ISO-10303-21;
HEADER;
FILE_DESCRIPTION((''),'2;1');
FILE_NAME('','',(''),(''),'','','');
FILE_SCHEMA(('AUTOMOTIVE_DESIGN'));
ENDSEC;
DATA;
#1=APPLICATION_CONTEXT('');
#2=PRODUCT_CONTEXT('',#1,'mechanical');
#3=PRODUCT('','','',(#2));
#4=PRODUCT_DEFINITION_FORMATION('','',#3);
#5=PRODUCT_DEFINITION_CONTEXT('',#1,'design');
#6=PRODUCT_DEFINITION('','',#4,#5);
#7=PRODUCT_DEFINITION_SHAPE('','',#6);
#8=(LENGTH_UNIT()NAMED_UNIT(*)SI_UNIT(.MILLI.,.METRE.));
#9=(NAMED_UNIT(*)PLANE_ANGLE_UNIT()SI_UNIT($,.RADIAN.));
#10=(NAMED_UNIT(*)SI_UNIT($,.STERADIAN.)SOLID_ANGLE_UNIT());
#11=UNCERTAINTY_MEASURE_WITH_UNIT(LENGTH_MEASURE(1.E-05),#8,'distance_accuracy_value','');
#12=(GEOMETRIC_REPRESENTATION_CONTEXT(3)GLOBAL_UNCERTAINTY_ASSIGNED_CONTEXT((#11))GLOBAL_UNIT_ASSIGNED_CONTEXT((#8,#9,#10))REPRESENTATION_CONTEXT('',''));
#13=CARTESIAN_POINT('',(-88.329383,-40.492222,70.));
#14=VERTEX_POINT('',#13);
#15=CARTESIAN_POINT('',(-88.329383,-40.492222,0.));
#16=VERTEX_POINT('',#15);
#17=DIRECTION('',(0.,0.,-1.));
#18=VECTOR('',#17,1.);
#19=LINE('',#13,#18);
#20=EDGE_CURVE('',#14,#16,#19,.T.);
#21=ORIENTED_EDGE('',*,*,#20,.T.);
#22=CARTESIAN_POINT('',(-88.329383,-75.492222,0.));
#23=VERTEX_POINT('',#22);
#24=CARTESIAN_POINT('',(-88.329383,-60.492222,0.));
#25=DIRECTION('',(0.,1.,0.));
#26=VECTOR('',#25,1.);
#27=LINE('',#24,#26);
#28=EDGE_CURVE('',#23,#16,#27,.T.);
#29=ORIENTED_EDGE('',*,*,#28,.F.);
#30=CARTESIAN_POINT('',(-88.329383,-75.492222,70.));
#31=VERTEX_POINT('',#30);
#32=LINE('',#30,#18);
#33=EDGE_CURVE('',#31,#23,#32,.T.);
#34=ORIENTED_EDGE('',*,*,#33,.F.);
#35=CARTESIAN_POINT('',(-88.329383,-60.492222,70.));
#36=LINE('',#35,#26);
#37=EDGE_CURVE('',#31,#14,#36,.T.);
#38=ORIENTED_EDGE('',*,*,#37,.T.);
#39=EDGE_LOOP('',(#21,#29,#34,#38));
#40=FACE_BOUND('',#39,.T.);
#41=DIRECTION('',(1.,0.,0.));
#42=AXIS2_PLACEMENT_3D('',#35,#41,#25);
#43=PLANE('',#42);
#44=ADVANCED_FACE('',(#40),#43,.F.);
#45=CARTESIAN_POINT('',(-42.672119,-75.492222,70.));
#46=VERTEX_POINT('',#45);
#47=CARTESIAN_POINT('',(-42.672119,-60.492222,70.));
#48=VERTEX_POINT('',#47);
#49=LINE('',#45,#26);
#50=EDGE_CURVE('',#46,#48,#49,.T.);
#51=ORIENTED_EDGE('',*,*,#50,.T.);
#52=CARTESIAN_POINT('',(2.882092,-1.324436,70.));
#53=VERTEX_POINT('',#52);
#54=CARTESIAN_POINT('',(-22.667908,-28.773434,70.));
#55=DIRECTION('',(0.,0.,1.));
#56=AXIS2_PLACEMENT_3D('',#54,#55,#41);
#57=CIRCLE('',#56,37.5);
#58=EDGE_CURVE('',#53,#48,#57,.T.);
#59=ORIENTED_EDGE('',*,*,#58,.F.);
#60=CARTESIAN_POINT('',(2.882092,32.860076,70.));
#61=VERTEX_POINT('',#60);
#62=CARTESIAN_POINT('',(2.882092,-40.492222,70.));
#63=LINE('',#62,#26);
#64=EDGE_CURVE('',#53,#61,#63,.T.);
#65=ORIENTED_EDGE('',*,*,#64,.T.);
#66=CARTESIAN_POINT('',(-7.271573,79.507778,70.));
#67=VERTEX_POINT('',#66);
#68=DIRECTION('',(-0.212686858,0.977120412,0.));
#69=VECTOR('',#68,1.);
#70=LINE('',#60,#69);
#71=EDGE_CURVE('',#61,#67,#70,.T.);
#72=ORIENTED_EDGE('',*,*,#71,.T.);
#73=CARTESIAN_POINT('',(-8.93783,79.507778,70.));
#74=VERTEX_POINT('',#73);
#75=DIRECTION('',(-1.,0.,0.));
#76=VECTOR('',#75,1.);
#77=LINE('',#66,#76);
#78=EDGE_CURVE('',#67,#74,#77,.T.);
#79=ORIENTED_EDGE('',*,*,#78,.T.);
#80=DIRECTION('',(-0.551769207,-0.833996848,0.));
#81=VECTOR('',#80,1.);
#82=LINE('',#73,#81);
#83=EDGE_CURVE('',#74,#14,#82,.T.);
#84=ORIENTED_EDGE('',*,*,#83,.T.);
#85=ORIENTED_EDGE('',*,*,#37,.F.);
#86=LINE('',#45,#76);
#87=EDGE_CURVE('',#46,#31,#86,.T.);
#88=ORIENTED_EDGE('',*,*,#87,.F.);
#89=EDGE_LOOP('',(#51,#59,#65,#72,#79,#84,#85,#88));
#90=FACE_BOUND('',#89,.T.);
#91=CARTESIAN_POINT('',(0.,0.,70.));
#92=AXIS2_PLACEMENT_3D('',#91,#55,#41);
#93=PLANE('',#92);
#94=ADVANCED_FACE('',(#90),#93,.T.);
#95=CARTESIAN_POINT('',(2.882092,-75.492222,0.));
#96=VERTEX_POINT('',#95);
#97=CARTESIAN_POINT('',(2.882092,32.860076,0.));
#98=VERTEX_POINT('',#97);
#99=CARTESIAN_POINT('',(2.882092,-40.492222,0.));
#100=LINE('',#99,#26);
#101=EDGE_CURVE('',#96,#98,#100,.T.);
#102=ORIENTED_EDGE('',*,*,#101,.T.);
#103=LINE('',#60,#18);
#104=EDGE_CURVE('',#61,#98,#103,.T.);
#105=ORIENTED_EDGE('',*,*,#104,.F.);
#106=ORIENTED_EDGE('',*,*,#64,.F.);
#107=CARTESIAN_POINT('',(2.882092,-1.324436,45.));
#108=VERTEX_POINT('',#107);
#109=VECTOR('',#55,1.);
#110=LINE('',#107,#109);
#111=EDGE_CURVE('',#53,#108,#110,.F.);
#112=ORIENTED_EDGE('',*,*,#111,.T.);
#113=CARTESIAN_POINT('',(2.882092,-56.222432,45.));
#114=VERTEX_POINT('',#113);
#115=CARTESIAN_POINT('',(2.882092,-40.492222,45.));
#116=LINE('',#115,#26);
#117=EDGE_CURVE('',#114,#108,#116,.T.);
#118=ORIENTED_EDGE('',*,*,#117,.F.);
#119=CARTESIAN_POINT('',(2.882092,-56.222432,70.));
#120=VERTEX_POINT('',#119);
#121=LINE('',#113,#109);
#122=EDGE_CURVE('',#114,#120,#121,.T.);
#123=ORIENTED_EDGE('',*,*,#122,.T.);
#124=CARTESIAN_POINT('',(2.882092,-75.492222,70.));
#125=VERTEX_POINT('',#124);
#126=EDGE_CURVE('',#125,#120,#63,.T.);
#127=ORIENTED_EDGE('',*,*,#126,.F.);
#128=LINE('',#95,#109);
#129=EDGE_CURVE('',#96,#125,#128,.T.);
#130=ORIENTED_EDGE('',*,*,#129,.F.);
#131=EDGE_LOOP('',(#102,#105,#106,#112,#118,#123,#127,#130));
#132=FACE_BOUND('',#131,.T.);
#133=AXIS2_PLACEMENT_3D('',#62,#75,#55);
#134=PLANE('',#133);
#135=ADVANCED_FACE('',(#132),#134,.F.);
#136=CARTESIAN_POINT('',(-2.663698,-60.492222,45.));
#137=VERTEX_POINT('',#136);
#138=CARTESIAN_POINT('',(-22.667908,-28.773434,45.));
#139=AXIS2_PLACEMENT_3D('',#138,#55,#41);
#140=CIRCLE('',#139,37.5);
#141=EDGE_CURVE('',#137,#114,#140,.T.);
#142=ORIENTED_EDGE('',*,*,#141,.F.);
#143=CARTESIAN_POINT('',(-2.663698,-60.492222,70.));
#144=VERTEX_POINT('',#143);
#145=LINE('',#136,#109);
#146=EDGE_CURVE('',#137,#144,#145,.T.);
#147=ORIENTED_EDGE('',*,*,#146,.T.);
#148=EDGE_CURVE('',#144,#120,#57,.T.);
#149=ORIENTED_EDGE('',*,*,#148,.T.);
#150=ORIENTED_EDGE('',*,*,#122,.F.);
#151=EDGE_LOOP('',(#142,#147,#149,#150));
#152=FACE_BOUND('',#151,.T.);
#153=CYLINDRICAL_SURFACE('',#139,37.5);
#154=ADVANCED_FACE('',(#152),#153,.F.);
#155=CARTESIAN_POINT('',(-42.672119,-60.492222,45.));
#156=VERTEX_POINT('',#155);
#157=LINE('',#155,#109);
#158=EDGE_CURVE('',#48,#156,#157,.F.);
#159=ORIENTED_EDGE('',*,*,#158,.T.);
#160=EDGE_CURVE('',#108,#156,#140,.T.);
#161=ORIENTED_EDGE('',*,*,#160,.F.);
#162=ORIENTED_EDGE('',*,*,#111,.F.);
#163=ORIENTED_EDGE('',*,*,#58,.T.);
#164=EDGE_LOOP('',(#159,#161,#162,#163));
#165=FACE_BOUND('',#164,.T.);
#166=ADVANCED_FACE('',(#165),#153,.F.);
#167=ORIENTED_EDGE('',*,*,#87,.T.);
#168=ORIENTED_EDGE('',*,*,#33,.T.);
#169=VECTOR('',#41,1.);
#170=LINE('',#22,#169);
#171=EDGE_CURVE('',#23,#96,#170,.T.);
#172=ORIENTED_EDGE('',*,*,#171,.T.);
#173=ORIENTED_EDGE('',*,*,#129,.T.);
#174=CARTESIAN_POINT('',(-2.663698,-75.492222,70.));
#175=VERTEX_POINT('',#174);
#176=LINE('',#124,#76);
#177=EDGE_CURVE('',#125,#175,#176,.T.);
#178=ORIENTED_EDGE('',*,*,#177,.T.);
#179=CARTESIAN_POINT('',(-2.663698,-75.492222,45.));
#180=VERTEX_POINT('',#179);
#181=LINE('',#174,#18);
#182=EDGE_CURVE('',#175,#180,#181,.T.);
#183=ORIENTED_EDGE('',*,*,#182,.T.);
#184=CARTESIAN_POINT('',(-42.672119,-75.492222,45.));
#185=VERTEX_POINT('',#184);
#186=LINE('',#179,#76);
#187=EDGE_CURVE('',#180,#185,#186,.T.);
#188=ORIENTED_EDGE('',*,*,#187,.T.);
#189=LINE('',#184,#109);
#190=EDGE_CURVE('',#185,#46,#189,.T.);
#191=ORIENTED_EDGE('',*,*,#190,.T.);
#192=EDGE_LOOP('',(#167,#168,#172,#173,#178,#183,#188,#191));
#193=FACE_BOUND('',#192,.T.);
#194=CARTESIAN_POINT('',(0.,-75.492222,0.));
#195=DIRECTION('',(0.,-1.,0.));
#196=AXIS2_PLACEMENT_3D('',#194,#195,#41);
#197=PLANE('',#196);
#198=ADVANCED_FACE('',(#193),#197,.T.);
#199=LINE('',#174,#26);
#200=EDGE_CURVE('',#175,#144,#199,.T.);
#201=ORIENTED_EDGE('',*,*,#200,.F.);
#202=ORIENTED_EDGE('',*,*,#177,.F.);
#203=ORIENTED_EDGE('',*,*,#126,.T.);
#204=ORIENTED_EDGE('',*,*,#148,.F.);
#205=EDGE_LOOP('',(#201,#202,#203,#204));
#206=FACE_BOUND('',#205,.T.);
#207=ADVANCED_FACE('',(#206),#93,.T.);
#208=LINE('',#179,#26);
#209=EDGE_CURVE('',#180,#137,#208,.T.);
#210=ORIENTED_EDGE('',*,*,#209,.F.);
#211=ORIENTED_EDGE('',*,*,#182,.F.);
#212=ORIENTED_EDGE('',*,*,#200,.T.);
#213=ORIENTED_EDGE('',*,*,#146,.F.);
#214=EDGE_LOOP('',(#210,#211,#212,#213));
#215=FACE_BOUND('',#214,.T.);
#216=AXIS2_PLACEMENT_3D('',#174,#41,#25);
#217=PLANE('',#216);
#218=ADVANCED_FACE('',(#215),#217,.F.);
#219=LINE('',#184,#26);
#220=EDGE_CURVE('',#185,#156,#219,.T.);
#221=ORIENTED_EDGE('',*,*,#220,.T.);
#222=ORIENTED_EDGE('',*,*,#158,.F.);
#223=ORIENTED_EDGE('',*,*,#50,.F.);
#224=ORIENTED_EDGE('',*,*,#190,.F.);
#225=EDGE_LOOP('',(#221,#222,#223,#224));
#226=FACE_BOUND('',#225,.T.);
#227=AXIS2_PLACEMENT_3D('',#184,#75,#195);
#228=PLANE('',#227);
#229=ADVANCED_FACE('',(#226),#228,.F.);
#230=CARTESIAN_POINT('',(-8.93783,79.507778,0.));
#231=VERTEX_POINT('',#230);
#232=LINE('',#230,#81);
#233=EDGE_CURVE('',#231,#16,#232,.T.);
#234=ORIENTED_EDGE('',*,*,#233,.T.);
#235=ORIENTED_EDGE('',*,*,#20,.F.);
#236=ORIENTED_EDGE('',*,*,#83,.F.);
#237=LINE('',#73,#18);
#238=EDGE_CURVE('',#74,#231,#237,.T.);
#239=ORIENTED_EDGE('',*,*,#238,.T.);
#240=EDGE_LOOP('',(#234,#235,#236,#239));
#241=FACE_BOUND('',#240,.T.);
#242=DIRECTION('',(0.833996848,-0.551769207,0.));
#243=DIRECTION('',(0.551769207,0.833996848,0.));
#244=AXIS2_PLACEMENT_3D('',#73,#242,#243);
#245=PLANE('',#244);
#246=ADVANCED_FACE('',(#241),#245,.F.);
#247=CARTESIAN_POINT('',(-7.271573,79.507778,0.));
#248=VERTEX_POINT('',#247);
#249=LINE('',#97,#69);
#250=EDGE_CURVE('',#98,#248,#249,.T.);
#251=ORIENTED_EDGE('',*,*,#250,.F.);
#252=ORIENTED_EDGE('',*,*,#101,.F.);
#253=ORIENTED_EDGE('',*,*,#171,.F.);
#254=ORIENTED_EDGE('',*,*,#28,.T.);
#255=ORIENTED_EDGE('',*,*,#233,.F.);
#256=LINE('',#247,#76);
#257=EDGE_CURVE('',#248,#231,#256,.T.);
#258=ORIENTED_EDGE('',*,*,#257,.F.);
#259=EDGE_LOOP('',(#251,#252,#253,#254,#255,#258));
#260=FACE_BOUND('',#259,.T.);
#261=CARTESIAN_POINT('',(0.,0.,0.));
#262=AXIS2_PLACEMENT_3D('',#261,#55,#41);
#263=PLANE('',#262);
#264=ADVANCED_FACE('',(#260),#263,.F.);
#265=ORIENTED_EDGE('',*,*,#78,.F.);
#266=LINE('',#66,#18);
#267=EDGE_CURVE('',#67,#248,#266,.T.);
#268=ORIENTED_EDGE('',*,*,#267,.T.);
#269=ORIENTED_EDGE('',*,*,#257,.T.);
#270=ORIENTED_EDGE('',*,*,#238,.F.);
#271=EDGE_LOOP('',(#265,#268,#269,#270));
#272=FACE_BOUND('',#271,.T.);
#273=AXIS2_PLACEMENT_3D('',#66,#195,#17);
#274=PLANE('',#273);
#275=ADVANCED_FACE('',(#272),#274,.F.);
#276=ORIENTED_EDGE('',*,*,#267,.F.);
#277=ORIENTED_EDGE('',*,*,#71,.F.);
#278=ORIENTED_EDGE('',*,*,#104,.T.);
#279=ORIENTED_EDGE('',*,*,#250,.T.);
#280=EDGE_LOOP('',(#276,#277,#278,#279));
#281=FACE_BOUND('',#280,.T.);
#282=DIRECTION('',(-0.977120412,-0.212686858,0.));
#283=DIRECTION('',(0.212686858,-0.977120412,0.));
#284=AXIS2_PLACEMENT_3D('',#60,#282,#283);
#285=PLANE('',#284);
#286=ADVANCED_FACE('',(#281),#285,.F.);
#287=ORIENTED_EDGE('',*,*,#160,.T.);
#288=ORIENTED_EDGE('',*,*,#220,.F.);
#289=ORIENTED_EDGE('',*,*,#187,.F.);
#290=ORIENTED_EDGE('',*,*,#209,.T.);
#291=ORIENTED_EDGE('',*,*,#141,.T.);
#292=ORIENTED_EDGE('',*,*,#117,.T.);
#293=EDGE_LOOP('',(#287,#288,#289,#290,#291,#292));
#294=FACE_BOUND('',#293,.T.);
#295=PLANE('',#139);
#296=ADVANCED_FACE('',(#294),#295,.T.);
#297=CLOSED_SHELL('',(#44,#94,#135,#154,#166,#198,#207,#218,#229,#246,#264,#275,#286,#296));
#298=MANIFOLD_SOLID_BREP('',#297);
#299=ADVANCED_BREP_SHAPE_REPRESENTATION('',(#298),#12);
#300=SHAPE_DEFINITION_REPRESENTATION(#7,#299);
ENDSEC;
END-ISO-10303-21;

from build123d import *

# Parameters (mm, degrees)
EXTRUDE_1_DEPTH     = 70
SKETCH_3_W          = 91.211474189
SKETCH_3_H          = 70
EXTRUDE_3_DEPTH     = 20
SKETCH_7_R          = 37.5
CUT_EXTRUDE_1_DEPTH = 25
EXTRUDE_5_DEPTH     = 15


with BuildPart() as part:
    # 草图1 → 凸台-拉伸1 (new body)
    with BuildSketch(Plane.XY):
        Polygon((-88.329382669, -40.492222209), (2.88209152, -40.492222209), (2.88209152, 32.860075705), (-7.271573344, 79.507777791), (-8.937829763, 79.507777791), align=None)
    extrude(amount=EXTRUDE_1_DEPTH)

    # 草图3 → 凸台-拉伸3 (add)
    with BuildSketch(Plane.XZ.offset(40.492222209)):
        with Locations((-42.723645575, 35)):
            Rectangle(SKETCH_3_W, SKETCH_3_H)
    extrude(amount=EXTRUDE_3_DEPTH)

    # 草图7 → 切除-拉伸1 (cut)
    with BuildSketch(Plane.XY.offset(70)):
        with Locations((-22.66790848, -28.773433698)):
            Circle(SKETCH_7_R)
    extrude(amount=-CUT_EXTRUDE_1_DEPTH, mode=Mode.SUBTRACT)

    # 草图10 → 凸台-拉伸5 (add)
    with BuildSketch(Plane.XZ.offset(60.492222209)):
        Polygon((-88.329382669, 70), (-88.329382669, 0), (2.88209152, 0), (2.88209152, 70), (-2.663697539, 70), (-2.663697539, 45), (-42.672119422, 45), (-42.672119422, 70), align=None)
    extrude(amount=EXTRUDE_5_DEPTH)


solid = part.part
